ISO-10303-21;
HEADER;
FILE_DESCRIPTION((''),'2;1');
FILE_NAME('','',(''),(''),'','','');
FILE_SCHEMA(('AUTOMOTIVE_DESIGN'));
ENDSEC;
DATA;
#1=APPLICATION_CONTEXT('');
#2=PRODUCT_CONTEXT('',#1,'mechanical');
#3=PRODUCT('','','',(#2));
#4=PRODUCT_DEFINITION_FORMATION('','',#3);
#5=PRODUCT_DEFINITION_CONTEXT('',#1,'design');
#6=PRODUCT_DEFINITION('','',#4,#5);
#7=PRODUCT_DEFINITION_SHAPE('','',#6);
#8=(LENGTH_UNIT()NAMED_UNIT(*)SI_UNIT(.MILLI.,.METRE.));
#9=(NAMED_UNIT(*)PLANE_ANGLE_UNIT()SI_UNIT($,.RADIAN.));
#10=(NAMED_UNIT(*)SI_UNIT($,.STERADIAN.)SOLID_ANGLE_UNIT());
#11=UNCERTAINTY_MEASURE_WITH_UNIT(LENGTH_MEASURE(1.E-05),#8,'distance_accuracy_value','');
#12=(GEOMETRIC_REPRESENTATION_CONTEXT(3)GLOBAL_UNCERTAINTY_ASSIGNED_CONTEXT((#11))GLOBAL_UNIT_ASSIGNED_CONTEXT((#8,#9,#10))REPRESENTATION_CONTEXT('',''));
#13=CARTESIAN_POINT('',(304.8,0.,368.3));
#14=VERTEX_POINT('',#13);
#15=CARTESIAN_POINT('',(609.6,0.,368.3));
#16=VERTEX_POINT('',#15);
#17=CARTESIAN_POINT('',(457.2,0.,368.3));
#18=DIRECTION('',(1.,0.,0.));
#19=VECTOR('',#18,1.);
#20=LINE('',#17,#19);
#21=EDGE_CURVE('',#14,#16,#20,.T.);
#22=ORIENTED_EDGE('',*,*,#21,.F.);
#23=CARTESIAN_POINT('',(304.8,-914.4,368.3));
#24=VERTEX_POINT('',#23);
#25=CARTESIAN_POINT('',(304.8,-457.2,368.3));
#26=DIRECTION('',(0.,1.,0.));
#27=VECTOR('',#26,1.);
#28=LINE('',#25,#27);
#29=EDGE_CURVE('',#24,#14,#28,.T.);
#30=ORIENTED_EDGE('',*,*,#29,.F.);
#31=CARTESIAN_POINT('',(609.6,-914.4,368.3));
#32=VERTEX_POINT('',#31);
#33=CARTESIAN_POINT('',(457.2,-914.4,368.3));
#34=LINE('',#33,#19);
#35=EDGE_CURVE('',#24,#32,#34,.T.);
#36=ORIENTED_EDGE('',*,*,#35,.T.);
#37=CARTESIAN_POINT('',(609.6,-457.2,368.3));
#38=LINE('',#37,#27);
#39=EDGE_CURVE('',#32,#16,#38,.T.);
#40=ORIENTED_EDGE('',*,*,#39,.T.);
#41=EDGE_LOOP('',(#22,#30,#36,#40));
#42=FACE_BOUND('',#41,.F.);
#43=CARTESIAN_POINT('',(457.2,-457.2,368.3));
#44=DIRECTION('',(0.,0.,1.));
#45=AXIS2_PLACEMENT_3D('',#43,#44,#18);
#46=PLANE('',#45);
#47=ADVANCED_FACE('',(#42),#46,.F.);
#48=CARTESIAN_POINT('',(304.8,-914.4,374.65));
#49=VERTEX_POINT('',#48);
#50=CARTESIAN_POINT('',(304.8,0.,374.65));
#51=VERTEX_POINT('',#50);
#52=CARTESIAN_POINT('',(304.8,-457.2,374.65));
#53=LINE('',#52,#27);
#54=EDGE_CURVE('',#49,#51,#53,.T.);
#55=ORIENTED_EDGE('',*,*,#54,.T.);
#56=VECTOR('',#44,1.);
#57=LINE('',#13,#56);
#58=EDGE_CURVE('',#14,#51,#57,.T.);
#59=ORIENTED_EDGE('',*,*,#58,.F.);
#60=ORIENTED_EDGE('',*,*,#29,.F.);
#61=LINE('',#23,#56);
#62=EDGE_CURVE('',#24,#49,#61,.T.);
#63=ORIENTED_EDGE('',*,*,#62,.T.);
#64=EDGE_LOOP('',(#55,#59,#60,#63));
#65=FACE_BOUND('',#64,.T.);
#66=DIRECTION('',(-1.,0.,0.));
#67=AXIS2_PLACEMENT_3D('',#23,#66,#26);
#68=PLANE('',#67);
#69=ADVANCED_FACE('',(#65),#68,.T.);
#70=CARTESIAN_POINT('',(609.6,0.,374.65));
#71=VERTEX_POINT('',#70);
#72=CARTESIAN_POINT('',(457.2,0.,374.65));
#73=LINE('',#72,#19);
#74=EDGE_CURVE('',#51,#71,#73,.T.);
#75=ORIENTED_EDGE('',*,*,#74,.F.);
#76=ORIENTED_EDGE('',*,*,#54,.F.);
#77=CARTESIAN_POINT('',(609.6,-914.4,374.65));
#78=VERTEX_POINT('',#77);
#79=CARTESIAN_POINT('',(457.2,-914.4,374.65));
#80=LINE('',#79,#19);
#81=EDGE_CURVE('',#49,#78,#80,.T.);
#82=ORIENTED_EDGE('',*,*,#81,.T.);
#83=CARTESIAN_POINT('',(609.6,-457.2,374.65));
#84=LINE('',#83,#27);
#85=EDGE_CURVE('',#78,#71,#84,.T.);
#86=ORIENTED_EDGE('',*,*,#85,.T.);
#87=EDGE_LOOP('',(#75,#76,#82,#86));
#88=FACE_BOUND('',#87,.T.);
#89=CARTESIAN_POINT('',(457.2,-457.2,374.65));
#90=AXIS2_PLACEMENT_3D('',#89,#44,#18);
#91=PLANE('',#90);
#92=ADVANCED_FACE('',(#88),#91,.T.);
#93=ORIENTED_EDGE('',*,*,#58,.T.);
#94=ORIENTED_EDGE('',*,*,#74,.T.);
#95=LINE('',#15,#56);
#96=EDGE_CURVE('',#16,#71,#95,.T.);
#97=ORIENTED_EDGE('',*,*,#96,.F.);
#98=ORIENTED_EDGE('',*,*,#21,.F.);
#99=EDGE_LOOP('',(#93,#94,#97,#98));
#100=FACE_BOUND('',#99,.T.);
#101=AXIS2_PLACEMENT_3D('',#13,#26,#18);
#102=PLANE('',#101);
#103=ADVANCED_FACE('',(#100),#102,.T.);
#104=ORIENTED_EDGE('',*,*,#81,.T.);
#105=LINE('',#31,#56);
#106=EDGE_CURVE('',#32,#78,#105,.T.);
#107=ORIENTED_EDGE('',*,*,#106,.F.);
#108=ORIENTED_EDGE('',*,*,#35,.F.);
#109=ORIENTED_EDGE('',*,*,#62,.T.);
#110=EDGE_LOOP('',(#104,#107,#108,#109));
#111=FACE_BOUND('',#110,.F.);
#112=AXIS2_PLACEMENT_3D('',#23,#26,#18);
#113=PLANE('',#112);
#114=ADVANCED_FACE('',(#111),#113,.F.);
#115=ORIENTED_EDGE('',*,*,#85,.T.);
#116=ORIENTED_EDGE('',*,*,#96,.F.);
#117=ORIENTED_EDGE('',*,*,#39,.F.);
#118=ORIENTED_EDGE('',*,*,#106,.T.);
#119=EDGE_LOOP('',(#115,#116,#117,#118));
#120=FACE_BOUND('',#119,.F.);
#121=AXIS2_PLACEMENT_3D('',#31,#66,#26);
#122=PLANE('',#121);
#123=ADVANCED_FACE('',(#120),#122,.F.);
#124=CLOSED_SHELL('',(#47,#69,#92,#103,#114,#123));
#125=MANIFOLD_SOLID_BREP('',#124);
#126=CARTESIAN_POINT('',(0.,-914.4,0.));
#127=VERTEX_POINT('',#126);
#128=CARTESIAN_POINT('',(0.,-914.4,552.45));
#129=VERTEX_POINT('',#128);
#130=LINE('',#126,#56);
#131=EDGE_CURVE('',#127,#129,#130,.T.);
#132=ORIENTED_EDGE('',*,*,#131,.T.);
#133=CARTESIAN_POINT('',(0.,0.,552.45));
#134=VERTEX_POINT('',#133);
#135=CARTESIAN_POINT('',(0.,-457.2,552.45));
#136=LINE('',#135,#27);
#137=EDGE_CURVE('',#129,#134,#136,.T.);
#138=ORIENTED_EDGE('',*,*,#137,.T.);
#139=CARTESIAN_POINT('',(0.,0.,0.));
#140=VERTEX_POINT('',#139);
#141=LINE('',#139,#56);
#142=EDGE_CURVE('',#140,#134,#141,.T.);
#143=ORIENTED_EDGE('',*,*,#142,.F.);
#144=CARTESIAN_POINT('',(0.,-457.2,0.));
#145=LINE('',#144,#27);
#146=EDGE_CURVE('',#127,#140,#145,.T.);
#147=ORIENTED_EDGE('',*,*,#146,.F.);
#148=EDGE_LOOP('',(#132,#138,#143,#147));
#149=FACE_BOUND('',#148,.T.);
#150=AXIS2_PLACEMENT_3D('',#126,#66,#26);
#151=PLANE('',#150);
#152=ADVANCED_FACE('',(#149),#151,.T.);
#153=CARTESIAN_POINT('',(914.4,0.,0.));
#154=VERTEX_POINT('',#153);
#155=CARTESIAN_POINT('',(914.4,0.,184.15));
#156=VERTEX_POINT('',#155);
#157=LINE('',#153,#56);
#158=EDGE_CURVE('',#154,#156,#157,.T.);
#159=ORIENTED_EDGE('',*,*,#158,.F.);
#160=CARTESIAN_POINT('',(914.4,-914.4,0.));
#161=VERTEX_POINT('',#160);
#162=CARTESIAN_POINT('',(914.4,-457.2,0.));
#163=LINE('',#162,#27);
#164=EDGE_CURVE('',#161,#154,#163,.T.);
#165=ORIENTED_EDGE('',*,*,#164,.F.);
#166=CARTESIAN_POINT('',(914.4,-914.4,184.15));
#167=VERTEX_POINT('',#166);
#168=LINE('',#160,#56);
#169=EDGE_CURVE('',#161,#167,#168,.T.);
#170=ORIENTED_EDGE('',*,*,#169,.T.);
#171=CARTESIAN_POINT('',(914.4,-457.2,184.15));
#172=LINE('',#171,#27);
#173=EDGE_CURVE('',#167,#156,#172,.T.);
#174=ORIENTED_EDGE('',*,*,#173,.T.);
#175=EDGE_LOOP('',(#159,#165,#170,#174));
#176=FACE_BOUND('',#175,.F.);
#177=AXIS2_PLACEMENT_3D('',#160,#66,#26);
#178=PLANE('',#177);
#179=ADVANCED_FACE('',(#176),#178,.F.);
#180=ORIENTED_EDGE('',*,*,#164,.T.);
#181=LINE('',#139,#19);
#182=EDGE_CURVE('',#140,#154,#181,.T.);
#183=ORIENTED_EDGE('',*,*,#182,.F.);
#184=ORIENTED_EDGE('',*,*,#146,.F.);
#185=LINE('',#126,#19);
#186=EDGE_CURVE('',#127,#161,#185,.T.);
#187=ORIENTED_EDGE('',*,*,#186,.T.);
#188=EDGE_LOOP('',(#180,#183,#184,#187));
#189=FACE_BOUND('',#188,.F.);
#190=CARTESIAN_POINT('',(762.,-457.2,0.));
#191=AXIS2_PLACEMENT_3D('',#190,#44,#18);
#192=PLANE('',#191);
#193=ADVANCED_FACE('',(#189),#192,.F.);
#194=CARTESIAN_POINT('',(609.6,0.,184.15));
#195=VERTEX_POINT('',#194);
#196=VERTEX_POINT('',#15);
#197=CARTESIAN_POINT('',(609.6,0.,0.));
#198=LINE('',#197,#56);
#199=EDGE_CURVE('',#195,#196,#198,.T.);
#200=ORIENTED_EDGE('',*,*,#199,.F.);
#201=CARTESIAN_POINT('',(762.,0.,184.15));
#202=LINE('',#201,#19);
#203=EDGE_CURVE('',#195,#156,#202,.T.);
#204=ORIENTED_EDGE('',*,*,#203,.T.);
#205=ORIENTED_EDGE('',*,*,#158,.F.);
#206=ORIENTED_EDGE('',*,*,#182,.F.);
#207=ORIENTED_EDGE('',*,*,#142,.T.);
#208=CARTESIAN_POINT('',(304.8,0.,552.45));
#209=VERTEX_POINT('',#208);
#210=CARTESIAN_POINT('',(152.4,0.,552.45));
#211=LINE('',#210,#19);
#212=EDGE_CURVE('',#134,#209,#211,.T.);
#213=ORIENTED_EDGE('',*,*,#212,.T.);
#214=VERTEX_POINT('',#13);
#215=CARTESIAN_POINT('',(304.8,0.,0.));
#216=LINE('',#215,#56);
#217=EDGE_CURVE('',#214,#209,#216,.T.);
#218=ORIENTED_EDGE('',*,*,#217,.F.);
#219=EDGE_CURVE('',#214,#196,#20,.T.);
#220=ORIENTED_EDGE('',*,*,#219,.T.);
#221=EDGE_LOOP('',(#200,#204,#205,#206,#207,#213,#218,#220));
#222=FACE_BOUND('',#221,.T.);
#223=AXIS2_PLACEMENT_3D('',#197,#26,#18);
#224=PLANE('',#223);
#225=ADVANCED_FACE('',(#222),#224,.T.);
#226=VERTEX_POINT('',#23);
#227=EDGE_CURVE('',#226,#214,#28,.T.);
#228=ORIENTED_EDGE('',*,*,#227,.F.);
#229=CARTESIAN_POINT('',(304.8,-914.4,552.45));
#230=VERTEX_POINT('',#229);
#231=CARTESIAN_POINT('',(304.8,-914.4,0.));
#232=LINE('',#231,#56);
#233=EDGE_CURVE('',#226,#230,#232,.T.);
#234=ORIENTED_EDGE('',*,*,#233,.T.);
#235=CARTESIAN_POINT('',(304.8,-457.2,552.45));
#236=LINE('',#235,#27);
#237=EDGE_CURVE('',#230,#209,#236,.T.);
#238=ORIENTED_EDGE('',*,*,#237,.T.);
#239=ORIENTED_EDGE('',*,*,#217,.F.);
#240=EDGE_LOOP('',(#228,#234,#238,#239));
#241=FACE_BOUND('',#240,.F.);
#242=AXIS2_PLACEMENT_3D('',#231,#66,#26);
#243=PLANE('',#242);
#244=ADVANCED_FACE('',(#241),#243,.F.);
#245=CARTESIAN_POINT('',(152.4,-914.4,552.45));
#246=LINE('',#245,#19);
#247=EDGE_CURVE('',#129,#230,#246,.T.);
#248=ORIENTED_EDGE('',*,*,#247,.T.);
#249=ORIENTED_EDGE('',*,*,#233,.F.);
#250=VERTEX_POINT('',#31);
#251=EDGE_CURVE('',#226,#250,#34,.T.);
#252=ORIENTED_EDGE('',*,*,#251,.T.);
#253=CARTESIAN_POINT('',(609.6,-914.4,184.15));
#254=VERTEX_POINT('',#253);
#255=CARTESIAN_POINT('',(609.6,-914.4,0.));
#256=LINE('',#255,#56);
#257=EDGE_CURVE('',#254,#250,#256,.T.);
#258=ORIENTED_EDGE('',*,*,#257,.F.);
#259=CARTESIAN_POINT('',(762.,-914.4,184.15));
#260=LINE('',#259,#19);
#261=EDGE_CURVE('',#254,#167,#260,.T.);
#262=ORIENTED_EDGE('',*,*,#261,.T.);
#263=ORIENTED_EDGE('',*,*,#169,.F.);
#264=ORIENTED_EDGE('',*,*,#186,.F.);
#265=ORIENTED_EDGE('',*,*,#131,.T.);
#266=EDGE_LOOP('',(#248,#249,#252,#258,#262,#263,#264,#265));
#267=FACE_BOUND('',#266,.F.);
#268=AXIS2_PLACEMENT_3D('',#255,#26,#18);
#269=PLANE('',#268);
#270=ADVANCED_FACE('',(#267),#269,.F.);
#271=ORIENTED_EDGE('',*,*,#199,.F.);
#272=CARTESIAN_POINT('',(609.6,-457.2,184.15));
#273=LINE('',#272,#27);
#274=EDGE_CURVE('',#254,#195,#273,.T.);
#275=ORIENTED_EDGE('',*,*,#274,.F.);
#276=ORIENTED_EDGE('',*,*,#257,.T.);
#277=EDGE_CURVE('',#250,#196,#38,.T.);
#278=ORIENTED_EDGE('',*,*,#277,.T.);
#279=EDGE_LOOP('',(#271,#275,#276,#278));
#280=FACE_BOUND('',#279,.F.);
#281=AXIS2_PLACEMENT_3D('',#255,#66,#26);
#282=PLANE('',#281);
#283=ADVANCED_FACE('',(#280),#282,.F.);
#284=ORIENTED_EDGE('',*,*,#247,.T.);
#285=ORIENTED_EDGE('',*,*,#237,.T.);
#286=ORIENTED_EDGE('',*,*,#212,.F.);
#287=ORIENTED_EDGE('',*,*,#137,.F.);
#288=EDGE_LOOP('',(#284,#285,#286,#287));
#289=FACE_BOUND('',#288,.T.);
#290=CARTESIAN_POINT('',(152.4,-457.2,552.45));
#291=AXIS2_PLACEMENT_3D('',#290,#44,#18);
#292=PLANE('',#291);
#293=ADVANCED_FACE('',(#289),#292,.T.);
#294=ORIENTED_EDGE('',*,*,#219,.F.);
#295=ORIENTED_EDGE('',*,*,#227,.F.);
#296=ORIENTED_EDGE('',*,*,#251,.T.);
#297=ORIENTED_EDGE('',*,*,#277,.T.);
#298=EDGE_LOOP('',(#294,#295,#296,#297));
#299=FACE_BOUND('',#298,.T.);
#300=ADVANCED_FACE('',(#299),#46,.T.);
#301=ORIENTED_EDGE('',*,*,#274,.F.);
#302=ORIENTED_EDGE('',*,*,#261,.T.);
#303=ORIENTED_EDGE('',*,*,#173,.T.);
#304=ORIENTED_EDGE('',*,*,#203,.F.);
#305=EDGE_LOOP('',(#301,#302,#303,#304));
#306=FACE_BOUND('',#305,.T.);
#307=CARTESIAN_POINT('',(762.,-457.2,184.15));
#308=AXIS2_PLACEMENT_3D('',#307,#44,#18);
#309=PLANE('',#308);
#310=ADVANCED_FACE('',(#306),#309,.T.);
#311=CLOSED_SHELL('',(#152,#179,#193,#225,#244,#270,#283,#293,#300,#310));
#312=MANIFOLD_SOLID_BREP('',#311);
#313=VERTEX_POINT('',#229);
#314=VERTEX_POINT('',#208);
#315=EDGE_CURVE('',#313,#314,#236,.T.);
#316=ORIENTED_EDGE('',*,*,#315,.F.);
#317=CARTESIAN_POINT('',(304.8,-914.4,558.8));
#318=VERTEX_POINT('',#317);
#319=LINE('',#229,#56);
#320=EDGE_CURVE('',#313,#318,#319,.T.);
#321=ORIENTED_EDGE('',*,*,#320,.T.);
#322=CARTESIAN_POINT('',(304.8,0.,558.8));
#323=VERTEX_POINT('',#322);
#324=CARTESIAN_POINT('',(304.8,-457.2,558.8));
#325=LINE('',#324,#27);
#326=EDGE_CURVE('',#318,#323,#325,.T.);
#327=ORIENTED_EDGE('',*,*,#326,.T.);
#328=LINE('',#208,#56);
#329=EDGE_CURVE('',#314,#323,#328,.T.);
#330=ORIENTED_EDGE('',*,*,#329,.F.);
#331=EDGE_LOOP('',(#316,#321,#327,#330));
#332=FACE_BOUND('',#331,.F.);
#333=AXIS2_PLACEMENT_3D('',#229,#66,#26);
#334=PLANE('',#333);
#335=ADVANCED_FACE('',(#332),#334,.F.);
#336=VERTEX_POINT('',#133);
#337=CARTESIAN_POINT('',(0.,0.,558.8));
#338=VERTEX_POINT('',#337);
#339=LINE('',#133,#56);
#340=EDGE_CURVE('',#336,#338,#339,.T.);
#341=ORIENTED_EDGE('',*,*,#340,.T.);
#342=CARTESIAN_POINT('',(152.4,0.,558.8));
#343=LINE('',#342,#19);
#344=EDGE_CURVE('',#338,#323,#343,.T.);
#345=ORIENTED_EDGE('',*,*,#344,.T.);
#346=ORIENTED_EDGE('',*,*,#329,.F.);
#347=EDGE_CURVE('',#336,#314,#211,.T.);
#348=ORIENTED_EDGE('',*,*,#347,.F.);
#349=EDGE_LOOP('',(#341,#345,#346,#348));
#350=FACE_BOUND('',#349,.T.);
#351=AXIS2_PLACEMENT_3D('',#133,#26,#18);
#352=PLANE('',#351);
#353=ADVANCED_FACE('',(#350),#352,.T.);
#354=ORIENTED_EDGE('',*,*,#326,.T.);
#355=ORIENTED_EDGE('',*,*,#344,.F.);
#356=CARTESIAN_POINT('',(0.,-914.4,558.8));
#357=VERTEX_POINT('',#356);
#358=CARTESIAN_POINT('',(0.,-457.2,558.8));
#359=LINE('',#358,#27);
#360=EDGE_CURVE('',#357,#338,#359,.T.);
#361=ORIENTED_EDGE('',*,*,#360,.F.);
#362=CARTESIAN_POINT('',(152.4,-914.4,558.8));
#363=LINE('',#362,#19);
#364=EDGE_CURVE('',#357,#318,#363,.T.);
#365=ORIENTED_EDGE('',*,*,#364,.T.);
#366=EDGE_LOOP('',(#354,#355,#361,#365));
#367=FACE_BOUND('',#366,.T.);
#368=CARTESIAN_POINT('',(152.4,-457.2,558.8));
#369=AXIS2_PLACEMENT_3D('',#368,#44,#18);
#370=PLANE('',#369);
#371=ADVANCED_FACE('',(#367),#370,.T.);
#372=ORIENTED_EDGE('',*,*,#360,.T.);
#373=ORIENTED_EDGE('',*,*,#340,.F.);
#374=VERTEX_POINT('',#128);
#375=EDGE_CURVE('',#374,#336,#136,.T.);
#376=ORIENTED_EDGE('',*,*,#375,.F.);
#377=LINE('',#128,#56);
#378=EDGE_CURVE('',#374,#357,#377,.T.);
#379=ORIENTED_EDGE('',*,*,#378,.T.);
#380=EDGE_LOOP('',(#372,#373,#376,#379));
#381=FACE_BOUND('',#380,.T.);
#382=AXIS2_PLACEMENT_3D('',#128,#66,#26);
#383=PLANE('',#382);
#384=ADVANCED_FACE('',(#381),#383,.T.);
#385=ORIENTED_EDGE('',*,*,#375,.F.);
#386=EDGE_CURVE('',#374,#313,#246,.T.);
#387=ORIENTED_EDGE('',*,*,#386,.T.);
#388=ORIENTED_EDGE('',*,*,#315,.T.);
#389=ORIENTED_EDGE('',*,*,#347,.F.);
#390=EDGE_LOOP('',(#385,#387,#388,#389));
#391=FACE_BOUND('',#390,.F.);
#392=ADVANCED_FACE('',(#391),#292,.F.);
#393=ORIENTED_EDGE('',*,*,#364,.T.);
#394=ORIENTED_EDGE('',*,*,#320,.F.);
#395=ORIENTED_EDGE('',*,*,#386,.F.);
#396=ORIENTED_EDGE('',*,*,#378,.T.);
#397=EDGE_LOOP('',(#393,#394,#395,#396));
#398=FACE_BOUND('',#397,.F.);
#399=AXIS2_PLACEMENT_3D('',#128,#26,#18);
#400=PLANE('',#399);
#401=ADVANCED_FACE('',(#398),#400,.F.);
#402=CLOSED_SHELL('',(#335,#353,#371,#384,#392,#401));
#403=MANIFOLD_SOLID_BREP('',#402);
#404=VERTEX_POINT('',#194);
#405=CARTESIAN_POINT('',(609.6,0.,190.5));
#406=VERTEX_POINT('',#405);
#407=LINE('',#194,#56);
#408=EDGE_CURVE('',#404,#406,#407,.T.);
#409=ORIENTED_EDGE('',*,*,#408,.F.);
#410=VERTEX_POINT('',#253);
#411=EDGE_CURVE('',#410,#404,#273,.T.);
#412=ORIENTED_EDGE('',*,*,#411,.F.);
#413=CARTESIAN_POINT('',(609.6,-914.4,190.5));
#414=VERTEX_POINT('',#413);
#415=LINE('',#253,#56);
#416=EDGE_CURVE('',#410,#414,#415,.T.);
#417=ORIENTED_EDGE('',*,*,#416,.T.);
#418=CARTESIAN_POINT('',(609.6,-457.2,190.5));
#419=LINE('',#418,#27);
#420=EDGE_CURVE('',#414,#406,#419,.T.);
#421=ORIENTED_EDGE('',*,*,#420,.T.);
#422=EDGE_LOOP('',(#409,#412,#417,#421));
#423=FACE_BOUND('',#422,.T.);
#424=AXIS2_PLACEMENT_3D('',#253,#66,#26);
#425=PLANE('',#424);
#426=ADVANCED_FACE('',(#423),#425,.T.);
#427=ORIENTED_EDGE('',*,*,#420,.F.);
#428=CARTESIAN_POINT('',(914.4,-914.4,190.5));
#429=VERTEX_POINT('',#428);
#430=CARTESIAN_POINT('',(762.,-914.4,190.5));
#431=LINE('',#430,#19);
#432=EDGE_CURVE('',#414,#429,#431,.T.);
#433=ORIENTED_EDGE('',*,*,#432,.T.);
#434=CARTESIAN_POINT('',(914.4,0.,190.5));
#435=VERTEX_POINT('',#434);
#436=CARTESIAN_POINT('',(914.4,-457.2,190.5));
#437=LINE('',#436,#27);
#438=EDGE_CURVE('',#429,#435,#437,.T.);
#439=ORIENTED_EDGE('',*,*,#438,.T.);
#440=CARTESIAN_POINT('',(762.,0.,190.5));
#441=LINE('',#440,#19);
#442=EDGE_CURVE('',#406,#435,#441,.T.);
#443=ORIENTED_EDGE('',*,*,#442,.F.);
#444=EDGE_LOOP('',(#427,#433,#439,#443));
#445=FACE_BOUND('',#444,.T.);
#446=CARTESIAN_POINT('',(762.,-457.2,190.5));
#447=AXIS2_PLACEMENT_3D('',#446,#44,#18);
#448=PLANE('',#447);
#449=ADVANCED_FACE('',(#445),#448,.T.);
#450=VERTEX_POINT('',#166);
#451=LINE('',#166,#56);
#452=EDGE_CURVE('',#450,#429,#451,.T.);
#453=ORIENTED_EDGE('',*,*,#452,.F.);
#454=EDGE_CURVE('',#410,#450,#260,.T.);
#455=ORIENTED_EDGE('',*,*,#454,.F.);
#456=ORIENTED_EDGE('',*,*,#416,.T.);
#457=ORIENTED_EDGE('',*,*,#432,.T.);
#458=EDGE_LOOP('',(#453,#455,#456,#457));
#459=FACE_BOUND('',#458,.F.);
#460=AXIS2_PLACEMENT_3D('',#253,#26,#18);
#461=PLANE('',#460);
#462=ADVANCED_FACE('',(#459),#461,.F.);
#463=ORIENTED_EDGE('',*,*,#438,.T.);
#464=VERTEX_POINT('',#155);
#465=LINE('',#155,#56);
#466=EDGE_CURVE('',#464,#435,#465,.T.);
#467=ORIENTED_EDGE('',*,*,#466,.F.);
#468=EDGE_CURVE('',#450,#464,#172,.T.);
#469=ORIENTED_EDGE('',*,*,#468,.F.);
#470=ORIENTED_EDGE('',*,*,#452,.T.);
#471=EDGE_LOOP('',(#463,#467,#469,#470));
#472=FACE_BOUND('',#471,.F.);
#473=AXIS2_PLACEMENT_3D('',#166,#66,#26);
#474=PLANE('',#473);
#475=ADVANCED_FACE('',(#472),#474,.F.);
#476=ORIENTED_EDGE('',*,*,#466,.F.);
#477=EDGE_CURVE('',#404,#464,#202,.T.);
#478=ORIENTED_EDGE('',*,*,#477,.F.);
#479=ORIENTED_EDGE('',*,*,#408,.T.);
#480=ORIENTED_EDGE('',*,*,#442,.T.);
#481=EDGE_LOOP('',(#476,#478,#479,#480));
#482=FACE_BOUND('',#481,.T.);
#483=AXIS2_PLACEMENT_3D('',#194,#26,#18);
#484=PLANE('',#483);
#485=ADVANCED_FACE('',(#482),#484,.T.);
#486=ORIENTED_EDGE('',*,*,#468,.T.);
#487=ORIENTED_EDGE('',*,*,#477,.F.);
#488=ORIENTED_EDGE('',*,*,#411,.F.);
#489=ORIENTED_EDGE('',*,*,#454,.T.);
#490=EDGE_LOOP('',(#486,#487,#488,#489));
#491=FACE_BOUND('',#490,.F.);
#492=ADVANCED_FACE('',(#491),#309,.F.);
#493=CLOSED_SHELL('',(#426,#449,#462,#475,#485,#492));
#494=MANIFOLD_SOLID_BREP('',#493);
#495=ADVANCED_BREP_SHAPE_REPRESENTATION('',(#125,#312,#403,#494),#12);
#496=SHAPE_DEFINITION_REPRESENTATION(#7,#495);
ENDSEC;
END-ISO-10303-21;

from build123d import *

# Parameters (mm, degrees)
F0_W     = 304.8
F0_H     = 914.4
F3_DEPTH = 552.45
F4_DEPTH = 368.3
F5_DEPTH = 184.15
F6_DEPTH = 6.35


with BuildPart() as f3:
    # F0 (on Top) → F3 (new body)
    with BuildSketch(Plane.XY):
        with Locations((152.4, -457.2)):
            Rectangle(F0_W, F0_H)
    extrude(amount=F3_DEPTH)

    # F0 (on Top) → F4 (join)
    with BuildSketch(Plane.XY):
        with Locations((457.2, -457.2)):
            Rectangle(F0_W, F0_H)
    extrude(amount=F4_DEPTH)

    # F0 (on Top) → F5 (join)
    with BuildSketch(Plane.XY):
        with Locations((762, -457.2)):
            Rectangle(F0_W, F0_H)
    extrude(amount=F5_DEPTH)


with BuildPart() as f6:
    # F6 (new): a face of the model
    f6_faces = [f3.part.faces().sort_by_distance(p)[0] for p in [
        (152.4, -457.2, 552.45),
    ]]
    extrude(f6_faces, amount=F6_DEPTH)


with BuildPart() as f6b:
    # F6#2 (new): a face of the model
    f6_2_faces = [f3.part.faces().sort_by_distance(p)[0] for p in [
        (457.2, -457.2, 368.3),
    ]]
    extrude(f6_2_faces, amount=F6_DEPTH)


with BuildPart() as f6c:
    # F6#3 (new): a face of the model
    f6_3_faces = [f3.part.faces().sort_by_distance(p)[0] for p in [
        (762, -457.2, 184.15),
    ]]
    extrude(f6_3_faces, amount=F6_DEPTH)


solid = Compound([f3.part, f6.part, f6b.part, f6c.part])
